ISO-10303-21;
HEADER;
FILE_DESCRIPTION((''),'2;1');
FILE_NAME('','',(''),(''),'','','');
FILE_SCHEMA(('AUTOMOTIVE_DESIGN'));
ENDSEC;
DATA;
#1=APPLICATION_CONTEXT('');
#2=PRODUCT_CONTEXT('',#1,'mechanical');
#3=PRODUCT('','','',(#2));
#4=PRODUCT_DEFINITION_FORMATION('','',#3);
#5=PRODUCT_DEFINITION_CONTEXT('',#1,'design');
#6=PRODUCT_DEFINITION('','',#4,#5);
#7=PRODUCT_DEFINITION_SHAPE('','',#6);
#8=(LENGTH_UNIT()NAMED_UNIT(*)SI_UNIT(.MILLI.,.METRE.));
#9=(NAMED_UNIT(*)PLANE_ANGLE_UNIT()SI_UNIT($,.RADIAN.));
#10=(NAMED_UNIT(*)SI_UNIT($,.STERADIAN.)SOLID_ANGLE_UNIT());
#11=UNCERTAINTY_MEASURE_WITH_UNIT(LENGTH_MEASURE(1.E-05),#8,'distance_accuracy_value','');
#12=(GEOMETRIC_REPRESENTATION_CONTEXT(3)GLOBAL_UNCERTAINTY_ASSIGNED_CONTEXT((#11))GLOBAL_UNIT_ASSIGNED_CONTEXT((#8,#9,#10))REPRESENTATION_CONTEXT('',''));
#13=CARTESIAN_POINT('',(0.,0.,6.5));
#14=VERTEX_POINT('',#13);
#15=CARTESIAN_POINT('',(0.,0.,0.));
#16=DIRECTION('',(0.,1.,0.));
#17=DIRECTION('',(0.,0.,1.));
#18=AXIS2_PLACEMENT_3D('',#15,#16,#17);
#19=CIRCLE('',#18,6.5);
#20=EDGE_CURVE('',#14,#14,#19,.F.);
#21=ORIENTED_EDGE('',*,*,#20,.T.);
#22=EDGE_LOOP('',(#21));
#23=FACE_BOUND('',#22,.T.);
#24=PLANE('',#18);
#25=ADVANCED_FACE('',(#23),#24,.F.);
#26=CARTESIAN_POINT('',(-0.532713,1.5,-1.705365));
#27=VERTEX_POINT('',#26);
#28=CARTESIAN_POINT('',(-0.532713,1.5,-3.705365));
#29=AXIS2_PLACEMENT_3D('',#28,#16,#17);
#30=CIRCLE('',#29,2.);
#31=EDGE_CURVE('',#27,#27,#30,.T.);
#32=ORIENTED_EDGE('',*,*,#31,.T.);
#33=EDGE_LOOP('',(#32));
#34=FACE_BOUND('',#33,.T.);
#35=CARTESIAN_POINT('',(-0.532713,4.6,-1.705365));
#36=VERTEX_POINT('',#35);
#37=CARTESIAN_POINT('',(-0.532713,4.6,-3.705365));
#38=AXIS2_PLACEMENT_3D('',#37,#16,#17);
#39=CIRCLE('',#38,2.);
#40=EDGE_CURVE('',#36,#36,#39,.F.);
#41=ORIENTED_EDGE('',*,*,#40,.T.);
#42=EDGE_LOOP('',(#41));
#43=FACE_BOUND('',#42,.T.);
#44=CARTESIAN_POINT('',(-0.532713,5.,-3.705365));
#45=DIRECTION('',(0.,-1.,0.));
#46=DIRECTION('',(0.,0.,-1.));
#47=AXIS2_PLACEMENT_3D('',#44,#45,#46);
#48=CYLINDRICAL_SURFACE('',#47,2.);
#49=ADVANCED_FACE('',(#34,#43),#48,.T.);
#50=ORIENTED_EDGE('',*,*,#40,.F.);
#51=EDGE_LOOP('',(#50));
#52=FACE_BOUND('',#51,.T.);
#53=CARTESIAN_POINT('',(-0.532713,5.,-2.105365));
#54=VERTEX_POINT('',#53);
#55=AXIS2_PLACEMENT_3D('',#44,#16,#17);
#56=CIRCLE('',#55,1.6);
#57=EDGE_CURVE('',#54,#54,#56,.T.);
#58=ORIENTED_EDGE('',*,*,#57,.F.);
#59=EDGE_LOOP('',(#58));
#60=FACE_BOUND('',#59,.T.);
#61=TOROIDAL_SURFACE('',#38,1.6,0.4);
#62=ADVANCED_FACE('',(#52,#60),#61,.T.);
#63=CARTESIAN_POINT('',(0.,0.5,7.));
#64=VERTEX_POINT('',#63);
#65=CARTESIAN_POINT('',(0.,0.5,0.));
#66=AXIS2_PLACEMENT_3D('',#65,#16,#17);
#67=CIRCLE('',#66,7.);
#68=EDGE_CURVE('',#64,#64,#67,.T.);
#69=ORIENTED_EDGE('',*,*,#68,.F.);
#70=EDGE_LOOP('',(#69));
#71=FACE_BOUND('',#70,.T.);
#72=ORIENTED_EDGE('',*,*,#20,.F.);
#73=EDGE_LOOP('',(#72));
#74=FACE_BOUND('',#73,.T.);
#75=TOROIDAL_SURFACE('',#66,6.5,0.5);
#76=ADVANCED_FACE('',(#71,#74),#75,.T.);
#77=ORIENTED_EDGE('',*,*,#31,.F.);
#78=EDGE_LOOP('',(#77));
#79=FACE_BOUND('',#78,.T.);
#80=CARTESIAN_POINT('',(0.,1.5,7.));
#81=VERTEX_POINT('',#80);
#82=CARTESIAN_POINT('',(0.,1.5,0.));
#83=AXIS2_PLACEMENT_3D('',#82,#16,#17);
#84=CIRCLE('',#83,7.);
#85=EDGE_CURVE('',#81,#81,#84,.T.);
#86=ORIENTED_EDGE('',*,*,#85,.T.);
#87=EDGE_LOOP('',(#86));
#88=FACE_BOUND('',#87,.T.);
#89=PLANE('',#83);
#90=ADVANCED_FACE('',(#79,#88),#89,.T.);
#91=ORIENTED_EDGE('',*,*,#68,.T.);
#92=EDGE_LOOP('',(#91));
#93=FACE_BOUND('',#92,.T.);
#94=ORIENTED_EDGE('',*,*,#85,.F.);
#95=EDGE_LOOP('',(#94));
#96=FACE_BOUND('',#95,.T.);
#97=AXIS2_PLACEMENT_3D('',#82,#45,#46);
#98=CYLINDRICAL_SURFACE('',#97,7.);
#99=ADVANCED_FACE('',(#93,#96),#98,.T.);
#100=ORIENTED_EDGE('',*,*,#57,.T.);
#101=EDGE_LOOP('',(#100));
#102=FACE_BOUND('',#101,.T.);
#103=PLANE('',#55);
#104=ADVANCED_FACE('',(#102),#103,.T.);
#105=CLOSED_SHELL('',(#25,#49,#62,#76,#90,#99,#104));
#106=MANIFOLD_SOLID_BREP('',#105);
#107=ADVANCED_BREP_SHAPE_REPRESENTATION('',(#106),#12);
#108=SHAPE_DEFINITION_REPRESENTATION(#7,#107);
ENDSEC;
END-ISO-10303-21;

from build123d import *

# Parameters (mm, degrees)
SKETCH1_R           = 7
BOSS_EXTRUDE1_DEPTH = 1.5
SKETCH2_R           = 2
BOSS_EXTRUDE2_DEPTH = 3.5
FILLET1_R           = 0.4
FILLET2_R           = 0.5


with BuildPart() as part:
    # Sketch1 → Boss-Extrude1 (new body)
    with BuildSketch(Plane(origin=(0, 0, 0), x_dir=(1, 0, 0), z_dir=(0, 1, 0))):
        with Locations(Location((0, 0, 0), (0, 0, 270))):
            Circle(SKETCH1_R)
    extrude(amount=BOSS_EXTRUDE1_DEPTH)

    # Sketch2 → Boss-Extrude2 (add)
    with BuildSketch(Plane(origin=(-0.519161931, 1.5, -6.206869262), x_dir=(1, 0, 0), z_dir=(0, 1, 0))):
        with Locations(Location((-0.013551078, -2.501504624, 0), (0, 0, 270))):
            Circle(SKETCH2_R)
    extrude(amount=BOSS_EXTRUDE2_DEPTH)

    # Fillet1
    fillet1_edges = [part.edges().sort_by_distance(p)[0] for p in [
        (-0.532713009, 5, -5.705364637),
    ]]
    fillet(fillet1_edges, radius=FILLET1_R)

    # Fillet2
    fillet2_edges = [part.edges().sort_by_distance(p)[0] for p in [
        (0, 0, -7),
    ]]
    fillet(fillet2_edges, radius=FILLET2_R)


solid = part.part
